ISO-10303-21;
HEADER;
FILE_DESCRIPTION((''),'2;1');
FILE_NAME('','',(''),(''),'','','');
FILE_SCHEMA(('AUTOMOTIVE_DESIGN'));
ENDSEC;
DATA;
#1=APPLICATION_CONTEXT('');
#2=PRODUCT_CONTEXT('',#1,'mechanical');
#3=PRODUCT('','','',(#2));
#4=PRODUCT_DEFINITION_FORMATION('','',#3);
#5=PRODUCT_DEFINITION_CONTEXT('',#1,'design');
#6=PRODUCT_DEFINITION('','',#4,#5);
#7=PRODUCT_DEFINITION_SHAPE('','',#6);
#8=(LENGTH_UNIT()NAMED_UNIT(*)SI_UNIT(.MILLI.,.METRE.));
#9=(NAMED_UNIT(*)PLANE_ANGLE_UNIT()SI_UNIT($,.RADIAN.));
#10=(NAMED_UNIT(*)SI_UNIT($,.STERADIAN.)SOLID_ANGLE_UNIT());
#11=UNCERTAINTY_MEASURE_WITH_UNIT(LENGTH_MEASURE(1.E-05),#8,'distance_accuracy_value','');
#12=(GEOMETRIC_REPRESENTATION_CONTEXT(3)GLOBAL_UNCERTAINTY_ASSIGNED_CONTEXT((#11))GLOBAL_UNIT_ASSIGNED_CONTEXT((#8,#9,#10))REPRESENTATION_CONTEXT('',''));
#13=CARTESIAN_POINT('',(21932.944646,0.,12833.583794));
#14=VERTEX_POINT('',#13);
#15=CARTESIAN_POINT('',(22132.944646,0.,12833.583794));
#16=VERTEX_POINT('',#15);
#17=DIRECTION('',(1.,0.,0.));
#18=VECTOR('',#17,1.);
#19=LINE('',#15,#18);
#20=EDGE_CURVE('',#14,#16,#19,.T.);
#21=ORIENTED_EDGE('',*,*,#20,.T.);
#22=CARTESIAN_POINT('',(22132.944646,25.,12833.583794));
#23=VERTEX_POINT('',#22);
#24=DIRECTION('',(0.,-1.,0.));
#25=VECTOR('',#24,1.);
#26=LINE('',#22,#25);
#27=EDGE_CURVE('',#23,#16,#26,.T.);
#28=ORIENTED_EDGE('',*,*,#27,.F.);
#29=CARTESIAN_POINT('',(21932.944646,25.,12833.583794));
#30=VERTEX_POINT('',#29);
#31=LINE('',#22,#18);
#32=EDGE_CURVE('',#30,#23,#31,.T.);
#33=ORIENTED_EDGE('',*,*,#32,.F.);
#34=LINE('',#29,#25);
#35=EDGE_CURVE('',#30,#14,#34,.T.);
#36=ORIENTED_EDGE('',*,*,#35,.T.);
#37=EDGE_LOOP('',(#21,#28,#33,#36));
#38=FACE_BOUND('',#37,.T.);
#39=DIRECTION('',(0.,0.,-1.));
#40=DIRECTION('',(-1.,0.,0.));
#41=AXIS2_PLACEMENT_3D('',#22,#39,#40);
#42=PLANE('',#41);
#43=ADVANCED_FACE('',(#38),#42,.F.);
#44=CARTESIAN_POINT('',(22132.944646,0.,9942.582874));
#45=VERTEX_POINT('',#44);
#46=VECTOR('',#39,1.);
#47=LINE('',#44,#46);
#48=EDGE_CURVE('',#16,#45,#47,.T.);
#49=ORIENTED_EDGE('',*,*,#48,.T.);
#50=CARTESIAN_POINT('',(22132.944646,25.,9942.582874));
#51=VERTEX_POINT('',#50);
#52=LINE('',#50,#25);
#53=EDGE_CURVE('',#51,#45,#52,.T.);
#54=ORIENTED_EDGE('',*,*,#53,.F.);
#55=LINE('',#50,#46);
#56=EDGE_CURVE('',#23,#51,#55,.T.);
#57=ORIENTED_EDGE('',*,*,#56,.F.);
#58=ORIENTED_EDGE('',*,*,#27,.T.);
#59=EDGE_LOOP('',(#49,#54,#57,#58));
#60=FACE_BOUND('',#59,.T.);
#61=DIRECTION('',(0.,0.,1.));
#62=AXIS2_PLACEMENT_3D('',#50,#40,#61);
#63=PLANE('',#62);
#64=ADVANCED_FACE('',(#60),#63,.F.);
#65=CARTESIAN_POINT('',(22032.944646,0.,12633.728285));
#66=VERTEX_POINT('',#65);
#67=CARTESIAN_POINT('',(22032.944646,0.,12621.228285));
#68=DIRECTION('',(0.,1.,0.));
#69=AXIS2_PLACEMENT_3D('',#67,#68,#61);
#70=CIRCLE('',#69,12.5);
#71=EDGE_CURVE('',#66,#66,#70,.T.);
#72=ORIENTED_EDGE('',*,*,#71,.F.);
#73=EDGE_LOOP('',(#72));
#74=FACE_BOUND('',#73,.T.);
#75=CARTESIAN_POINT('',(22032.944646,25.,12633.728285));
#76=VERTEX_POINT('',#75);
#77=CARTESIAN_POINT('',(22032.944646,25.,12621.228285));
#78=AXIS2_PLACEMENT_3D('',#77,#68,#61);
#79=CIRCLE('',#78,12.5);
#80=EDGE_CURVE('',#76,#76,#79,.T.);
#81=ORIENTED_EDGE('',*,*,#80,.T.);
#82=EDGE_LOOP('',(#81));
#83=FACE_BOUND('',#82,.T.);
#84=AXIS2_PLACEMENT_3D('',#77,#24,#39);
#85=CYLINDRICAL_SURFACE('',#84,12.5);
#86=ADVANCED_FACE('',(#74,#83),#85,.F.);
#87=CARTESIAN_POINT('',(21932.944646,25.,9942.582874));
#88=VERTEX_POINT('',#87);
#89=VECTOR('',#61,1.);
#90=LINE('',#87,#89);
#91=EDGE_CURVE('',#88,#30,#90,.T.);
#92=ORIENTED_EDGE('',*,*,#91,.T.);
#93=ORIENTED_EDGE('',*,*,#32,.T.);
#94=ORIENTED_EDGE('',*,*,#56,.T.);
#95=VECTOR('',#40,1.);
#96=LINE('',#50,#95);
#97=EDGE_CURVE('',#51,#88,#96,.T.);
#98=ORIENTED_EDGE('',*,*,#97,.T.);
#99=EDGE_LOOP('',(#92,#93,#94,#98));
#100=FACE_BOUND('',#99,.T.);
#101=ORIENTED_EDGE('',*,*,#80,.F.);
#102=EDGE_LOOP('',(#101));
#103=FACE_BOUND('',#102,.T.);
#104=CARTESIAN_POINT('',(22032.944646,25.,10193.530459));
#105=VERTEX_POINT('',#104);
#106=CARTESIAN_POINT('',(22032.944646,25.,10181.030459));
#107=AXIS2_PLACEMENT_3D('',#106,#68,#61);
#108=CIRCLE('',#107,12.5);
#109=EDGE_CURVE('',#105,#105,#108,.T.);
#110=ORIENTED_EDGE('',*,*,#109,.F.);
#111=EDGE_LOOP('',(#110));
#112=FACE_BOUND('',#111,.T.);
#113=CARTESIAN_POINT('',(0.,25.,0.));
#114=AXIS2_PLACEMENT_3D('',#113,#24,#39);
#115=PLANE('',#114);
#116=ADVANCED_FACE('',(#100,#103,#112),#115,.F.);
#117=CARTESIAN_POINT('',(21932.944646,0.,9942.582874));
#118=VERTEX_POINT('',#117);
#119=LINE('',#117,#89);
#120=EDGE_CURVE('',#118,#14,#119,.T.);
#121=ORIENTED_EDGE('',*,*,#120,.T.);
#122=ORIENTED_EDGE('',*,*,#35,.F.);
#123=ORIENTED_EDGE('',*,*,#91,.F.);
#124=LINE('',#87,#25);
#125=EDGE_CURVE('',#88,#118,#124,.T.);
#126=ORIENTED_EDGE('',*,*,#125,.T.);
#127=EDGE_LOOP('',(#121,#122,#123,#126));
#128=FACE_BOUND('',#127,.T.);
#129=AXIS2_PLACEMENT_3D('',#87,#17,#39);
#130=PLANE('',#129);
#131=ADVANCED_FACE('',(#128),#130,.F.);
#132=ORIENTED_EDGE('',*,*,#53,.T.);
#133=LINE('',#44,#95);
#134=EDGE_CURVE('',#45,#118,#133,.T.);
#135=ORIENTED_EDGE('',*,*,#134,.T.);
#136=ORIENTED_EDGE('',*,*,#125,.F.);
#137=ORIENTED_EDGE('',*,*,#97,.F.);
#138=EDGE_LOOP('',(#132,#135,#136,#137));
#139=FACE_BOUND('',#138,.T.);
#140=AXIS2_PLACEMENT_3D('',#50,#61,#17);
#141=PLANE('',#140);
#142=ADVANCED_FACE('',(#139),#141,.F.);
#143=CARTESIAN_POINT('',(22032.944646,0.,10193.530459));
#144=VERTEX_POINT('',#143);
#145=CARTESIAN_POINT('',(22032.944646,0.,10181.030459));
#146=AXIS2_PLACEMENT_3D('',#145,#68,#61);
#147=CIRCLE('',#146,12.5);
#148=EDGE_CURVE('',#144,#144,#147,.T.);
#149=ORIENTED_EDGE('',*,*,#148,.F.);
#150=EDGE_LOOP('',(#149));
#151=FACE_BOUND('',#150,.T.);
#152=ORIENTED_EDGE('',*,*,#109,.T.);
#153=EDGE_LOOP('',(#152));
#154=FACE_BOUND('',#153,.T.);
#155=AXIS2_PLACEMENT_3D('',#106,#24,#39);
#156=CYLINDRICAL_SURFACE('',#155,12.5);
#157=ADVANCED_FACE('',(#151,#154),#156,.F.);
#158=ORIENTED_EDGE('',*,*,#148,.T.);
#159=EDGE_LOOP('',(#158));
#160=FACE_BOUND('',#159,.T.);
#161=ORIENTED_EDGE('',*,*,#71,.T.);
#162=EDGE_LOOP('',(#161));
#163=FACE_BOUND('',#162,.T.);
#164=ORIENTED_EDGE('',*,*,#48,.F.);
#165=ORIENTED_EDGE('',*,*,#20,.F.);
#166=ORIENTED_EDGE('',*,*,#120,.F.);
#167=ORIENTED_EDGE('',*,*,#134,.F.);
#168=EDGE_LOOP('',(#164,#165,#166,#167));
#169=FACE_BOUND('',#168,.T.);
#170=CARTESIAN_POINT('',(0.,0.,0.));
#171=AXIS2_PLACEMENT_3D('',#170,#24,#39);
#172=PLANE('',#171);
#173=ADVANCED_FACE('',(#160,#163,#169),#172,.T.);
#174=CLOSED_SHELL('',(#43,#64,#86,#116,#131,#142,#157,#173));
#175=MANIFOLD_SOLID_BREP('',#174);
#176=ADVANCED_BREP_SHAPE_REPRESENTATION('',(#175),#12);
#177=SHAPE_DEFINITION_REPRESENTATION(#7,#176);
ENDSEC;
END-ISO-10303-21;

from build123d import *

# Parameters (mm, degrees)
SKETCH4_W             = 200
SKETCH4_H             = 2933.573874127
SKETCH4_R             = 12.5
BOSS_EXTRUDE1_DEPTH   = 25
SKETCH4_H_2           = 2891.000919938
BOSS_EXTRUDE1_2_DEPTH = 25
SKETCH4_H_3           = 2656.8496719
BOSS_EXTRUDE1_3_DEPTH = 25
SKETCH4_H_4           = 2167.26069873
BOSS_EXTRUDE1_4_DEPTH = 25
SKETCH4_H_5           = 1693.636583381
BOSS_EXTRUDE1_5_DEPTH = 25
SKETCH5_W             = 4494.406695046
SKETCH5_H             = 4741.158435166
SKETCH5_W_2           = 1974.013920961
SKETCH5_H_2           = 6468.420616006
CUT_EXTRUDE1_DEPTH    = 10
SKETCH6_W             = 3512.97770999
SKETCH6_H             = 3727.07108035
SKETCH6_W_2           = 1146.73724468
SKETCH6_H_2           = 4594.268007597
CUT_EXTRUDE2_DEPTH    = 26


with BuildPart() as part:
    # Sketch4 → Boss-Extrude1 (new body)
    with BuildSketch(Plane(origin=(0, 0, 0), x_dir=(1, 0, 0), z_dir=(0, 1, 0))):
        with Locations((23132.944645813, -11409.369811035)):
            Rectangle(SKETCH4_W, SKETCH4_H)
        with Locations((23132.944645813, -12678.089615367)):
            Circle(SKETCH4_R, mode=Mode.SUBTRACT)
        with Locations((23132.944645813, -10181.030459334)):
            Circle(SKETCH4_R, mode=Mode.SUBTRACT)
    extrude(amount=BOSS_EXTRUDE1_DEPTH)


with BuildPart() as body_2:
    # Sketch4 → Boss-Extrude1 2 (new body)
    with BuildSketch(Plane(origin=(0, 0, 0), x_dir=(1, 0, 0), z_dir=(0, 1, 0))):
        with Locations((22032.944645813, -11388.083333941)):
            Rectangle(SKETCH4_W, SKETCH4_H_2)
        with Locations((22032.944645813, -12621.228285175)):
            Circle(SKETCH4_R, mode=Mode.SUBTRACT)
        with Locations((22032.944645813, -10181.030459334)):
            Circle(SKETCH4_R, mode=Mode.SUBTRACT)
    extrude(amount=BOSS_EXTRUDE1_2_DEPTH)


with BuildPart() as body_3:
    # Sketch4 → Boss-Extrude1 3 (new body)
    with BuildSketch(Plane(origin=(0, 0, 0), x_dir=(1, 0, 0), z_dir=(0, 1, 0))):
        with Locations((20832.944645813, -11271.007709922)):
            Rectangle(SKETCH4_W, SKETCH4_H_3)
        with Locations((20832.944645813, -12348.754240871)):
            Circle(SKETCH4_R, mode=Mode.SUBTRACT)
        with Locations((20832.944645813, -10181.030459334)):
            Circle(SKETCH4_R, mode=Mode.SUBTRACT)
    extrude(amount=BOSS_EXTRUDE1_3_DEPTH)


with BuildPart() as body_4:
    # Sketch4 → Boss-Extrude1 4 (new body)
    with BuildSketch(Plane(origin=(0, 0, 0), x_dir=(1, 0, 0), z_dir=(0, 1, 0))):
        with Locations((19632.944645813, -11026.213223337)):
            Rectangle(SKETCH4_W, SKETCH4_H_4)
        with Locations((19632.944645813, -11826.915448153)):
            Circle(SKETCH4_R, mode=Mode.SUBTRACT)
        with Locations((19632.944645813, -10181.030459334)):
            Circle(SKETCH4_R, mode=Mode.SUBTRACT)
    extrude(amount=BOSS_EXTRUDE1_4_DEPTH)


with BuildPart() as body_5:
    # Sketch4 → Boss-Extrude1 5 (new body)
    with BuildSketch(Plane(origin=(0, 0, 0), x_dir=(1, 0, 0), z_dir=(0, 1, 0))):
        with Locations((18802.944645813, -10789.401165663)):
            Rectangle(SKETCH4_W, SKETCH4_H_5)
        with Locations((18802.944645813, -11283.669778774)):
            Circle(SKETCH4_R, mode=Mode.SUBTRACT)
        with Locations((18802.944645813, -10181.030459334)):
            Circle(SKETCH4_R, mode=Mode.SUBTRACT)
    extrude(amount=BOSS_EXTRUDE1_5_DEPTH)


with BuildPart() as cut_extrude1_tool:
    # Sketch5 → Cut-Extrude1 (new body)
    with BuildSketch(Plane(origin=(0, 0, 0), x_dir=(1, 0, 0), z_dir=(0, 1, 0))):
        with Locations((19231.869902825, -10968.741703678)):
            Rectangle(SKETCH5_W, SKETCH5_H)
        with Locations((23594.088165664, -11444.620059624)):
            Rectangle(SKETCH5_W_2, SKETCH5_H_2)
    extrude(amount=CUT_EXTRUDE1_DEPTH)


with BuildPart() as part_1:
    add(part.part)

    # Cut-Extrude1: cut by cut_extrude1_tool
    add(cut_extrude1_tool.part, mode=Mode.SUBTRACT)


with BuildPart() as body_3_1:
    add(body_3.part)

    # Cut-Extrude1: cut by cut_extrude1_tool
    add(cut_extrude1_tool.part, mode=Mode.SUBTRACT)


with BuildPart() as body_4_1:
    add(body_4.part)

    # Cut-Extrude1: cut by cut_extrude1_tool
    add(cut_extrude1_tool.part, mode=Mode.SUBTRACT)


with BuildPart() as body_5_1:
    add(body_5.part)

    # Cut-Extrude1: cut by cut_extrude1_tool
    add(cut_extrude1_tool.part, mode=Mode.SUBTRACT)


with BuildPart() as cut_extrude2_tool:
    # Sketch6 → Cut-Extrude2 (new body, through all)
    with BuildSketch(Plane(origin=(0, 0, 0), x_dir=(1, 0, 0), z_dir=(0, 1, 0))):
        with Locations((19642.924182274, -11343.935947445)):
            Rectangle(SKETCH6_W, SKETCH6_H)
        with Locations((23195.80267331, -11003.734808489)):
            Rectangle(SKETCH6_W_2, SKETCH6_H_2)
    extrude(amount=CUT_EXTRUDE2_DEPTH)


with BuildPart() as part_2:
    add(part_1.part)

    # Cut-Extrude2: cut by cut_extrude2_tool
    add(cut_extrude2_tool.part, mode=Mode.SUBTRACT)


with BuildPart() as body_3_2:
    add(body_3_1.part)

    # Cut-Extrude2: cut by cut_extrude2_tool
    add(cut_extrude2_tool.part, mode=Mode.SUBTRACT)


with BuildPart() as body_4_2:
    add(body_4_1.part)

    # Cut-Extrude2: cut by cut_extrude2_tool
    add(cut_extrude2_tool.part, mode=Mode.SUBTRACT)


with BuildPart() as body_5_2:
    add(body_5_1.part)

    # Cut-Extrude2: cut by cut_extrude2_tool
    add(cut_extrude2_tool.part, mode=Mode.SUBTRACT)


solid = body_2.part
